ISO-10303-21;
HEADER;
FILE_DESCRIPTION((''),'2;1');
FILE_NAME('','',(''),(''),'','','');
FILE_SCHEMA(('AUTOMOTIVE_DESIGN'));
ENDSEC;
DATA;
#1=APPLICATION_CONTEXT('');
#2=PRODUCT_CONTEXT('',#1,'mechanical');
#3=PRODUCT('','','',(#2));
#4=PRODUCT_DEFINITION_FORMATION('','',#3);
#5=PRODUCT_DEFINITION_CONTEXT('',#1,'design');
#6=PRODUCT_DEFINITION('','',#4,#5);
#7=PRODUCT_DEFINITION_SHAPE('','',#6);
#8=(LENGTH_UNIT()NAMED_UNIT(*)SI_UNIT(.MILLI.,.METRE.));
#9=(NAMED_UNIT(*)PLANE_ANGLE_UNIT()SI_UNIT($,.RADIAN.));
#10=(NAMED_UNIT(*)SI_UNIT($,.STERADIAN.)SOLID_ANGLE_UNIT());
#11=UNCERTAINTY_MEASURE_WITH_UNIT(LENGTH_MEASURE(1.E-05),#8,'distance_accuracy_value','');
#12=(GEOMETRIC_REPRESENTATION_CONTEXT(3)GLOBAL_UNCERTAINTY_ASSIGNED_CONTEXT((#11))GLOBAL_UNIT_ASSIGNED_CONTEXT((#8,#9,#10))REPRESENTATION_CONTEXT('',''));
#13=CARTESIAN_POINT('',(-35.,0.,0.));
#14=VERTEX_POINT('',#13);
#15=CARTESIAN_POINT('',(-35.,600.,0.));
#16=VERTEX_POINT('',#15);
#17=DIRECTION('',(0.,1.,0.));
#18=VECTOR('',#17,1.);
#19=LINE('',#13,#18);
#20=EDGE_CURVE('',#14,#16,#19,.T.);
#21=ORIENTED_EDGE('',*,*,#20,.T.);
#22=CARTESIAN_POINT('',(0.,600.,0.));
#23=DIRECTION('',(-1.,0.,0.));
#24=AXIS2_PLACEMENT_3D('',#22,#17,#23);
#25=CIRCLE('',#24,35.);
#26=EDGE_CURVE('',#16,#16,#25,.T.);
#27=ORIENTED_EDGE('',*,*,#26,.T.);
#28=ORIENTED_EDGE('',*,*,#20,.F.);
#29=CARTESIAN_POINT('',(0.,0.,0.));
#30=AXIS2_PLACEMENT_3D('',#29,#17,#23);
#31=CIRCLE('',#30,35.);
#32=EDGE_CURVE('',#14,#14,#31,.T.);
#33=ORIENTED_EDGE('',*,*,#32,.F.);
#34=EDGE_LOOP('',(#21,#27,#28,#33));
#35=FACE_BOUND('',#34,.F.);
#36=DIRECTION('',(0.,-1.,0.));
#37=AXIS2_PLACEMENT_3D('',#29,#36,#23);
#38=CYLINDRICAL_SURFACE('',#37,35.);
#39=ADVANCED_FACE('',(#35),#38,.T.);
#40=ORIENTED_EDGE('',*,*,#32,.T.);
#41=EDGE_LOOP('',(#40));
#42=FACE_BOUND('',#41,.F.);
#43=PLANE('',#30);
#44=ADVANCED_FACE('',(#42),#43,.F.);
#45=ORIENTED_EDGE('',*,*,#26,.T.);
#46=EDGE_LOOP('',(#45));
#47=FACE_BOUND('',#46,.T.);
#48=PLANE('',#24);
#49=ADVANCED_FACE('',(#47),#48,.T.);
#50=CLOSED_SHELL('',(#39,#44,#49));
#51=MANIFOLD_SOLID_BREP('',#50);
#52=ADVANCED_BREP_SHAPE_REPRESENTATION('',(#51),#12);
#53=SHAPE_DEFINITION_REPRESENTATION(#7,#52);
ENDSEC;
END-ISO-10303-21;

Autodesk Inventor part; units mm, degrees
ref_plane "YZ Plane" through (0, 0, 0) normal (1, 0, 0) x (0, 1, 0)
ref_plane "XZ Plane" through (0, 0, 0) normal (0, 1, 0) x (-1, 0, 0)
ref_plane "XY Plane" through (0, 0, 0) normal (0, 0, 1) x (1, 0, 0)
sketch "Sketch1" plane through (0, 0, 0) normal (0, 1, 0) x (-1, 0, 0)
  circle A0 centre (0, 0) radius 35
  dimension "d0" = 70
extrude "Extrusion1" add sketch "Sketch1" along normal blind 600
properties part number "Pino de Apoio" material "Iron, Ductile"
